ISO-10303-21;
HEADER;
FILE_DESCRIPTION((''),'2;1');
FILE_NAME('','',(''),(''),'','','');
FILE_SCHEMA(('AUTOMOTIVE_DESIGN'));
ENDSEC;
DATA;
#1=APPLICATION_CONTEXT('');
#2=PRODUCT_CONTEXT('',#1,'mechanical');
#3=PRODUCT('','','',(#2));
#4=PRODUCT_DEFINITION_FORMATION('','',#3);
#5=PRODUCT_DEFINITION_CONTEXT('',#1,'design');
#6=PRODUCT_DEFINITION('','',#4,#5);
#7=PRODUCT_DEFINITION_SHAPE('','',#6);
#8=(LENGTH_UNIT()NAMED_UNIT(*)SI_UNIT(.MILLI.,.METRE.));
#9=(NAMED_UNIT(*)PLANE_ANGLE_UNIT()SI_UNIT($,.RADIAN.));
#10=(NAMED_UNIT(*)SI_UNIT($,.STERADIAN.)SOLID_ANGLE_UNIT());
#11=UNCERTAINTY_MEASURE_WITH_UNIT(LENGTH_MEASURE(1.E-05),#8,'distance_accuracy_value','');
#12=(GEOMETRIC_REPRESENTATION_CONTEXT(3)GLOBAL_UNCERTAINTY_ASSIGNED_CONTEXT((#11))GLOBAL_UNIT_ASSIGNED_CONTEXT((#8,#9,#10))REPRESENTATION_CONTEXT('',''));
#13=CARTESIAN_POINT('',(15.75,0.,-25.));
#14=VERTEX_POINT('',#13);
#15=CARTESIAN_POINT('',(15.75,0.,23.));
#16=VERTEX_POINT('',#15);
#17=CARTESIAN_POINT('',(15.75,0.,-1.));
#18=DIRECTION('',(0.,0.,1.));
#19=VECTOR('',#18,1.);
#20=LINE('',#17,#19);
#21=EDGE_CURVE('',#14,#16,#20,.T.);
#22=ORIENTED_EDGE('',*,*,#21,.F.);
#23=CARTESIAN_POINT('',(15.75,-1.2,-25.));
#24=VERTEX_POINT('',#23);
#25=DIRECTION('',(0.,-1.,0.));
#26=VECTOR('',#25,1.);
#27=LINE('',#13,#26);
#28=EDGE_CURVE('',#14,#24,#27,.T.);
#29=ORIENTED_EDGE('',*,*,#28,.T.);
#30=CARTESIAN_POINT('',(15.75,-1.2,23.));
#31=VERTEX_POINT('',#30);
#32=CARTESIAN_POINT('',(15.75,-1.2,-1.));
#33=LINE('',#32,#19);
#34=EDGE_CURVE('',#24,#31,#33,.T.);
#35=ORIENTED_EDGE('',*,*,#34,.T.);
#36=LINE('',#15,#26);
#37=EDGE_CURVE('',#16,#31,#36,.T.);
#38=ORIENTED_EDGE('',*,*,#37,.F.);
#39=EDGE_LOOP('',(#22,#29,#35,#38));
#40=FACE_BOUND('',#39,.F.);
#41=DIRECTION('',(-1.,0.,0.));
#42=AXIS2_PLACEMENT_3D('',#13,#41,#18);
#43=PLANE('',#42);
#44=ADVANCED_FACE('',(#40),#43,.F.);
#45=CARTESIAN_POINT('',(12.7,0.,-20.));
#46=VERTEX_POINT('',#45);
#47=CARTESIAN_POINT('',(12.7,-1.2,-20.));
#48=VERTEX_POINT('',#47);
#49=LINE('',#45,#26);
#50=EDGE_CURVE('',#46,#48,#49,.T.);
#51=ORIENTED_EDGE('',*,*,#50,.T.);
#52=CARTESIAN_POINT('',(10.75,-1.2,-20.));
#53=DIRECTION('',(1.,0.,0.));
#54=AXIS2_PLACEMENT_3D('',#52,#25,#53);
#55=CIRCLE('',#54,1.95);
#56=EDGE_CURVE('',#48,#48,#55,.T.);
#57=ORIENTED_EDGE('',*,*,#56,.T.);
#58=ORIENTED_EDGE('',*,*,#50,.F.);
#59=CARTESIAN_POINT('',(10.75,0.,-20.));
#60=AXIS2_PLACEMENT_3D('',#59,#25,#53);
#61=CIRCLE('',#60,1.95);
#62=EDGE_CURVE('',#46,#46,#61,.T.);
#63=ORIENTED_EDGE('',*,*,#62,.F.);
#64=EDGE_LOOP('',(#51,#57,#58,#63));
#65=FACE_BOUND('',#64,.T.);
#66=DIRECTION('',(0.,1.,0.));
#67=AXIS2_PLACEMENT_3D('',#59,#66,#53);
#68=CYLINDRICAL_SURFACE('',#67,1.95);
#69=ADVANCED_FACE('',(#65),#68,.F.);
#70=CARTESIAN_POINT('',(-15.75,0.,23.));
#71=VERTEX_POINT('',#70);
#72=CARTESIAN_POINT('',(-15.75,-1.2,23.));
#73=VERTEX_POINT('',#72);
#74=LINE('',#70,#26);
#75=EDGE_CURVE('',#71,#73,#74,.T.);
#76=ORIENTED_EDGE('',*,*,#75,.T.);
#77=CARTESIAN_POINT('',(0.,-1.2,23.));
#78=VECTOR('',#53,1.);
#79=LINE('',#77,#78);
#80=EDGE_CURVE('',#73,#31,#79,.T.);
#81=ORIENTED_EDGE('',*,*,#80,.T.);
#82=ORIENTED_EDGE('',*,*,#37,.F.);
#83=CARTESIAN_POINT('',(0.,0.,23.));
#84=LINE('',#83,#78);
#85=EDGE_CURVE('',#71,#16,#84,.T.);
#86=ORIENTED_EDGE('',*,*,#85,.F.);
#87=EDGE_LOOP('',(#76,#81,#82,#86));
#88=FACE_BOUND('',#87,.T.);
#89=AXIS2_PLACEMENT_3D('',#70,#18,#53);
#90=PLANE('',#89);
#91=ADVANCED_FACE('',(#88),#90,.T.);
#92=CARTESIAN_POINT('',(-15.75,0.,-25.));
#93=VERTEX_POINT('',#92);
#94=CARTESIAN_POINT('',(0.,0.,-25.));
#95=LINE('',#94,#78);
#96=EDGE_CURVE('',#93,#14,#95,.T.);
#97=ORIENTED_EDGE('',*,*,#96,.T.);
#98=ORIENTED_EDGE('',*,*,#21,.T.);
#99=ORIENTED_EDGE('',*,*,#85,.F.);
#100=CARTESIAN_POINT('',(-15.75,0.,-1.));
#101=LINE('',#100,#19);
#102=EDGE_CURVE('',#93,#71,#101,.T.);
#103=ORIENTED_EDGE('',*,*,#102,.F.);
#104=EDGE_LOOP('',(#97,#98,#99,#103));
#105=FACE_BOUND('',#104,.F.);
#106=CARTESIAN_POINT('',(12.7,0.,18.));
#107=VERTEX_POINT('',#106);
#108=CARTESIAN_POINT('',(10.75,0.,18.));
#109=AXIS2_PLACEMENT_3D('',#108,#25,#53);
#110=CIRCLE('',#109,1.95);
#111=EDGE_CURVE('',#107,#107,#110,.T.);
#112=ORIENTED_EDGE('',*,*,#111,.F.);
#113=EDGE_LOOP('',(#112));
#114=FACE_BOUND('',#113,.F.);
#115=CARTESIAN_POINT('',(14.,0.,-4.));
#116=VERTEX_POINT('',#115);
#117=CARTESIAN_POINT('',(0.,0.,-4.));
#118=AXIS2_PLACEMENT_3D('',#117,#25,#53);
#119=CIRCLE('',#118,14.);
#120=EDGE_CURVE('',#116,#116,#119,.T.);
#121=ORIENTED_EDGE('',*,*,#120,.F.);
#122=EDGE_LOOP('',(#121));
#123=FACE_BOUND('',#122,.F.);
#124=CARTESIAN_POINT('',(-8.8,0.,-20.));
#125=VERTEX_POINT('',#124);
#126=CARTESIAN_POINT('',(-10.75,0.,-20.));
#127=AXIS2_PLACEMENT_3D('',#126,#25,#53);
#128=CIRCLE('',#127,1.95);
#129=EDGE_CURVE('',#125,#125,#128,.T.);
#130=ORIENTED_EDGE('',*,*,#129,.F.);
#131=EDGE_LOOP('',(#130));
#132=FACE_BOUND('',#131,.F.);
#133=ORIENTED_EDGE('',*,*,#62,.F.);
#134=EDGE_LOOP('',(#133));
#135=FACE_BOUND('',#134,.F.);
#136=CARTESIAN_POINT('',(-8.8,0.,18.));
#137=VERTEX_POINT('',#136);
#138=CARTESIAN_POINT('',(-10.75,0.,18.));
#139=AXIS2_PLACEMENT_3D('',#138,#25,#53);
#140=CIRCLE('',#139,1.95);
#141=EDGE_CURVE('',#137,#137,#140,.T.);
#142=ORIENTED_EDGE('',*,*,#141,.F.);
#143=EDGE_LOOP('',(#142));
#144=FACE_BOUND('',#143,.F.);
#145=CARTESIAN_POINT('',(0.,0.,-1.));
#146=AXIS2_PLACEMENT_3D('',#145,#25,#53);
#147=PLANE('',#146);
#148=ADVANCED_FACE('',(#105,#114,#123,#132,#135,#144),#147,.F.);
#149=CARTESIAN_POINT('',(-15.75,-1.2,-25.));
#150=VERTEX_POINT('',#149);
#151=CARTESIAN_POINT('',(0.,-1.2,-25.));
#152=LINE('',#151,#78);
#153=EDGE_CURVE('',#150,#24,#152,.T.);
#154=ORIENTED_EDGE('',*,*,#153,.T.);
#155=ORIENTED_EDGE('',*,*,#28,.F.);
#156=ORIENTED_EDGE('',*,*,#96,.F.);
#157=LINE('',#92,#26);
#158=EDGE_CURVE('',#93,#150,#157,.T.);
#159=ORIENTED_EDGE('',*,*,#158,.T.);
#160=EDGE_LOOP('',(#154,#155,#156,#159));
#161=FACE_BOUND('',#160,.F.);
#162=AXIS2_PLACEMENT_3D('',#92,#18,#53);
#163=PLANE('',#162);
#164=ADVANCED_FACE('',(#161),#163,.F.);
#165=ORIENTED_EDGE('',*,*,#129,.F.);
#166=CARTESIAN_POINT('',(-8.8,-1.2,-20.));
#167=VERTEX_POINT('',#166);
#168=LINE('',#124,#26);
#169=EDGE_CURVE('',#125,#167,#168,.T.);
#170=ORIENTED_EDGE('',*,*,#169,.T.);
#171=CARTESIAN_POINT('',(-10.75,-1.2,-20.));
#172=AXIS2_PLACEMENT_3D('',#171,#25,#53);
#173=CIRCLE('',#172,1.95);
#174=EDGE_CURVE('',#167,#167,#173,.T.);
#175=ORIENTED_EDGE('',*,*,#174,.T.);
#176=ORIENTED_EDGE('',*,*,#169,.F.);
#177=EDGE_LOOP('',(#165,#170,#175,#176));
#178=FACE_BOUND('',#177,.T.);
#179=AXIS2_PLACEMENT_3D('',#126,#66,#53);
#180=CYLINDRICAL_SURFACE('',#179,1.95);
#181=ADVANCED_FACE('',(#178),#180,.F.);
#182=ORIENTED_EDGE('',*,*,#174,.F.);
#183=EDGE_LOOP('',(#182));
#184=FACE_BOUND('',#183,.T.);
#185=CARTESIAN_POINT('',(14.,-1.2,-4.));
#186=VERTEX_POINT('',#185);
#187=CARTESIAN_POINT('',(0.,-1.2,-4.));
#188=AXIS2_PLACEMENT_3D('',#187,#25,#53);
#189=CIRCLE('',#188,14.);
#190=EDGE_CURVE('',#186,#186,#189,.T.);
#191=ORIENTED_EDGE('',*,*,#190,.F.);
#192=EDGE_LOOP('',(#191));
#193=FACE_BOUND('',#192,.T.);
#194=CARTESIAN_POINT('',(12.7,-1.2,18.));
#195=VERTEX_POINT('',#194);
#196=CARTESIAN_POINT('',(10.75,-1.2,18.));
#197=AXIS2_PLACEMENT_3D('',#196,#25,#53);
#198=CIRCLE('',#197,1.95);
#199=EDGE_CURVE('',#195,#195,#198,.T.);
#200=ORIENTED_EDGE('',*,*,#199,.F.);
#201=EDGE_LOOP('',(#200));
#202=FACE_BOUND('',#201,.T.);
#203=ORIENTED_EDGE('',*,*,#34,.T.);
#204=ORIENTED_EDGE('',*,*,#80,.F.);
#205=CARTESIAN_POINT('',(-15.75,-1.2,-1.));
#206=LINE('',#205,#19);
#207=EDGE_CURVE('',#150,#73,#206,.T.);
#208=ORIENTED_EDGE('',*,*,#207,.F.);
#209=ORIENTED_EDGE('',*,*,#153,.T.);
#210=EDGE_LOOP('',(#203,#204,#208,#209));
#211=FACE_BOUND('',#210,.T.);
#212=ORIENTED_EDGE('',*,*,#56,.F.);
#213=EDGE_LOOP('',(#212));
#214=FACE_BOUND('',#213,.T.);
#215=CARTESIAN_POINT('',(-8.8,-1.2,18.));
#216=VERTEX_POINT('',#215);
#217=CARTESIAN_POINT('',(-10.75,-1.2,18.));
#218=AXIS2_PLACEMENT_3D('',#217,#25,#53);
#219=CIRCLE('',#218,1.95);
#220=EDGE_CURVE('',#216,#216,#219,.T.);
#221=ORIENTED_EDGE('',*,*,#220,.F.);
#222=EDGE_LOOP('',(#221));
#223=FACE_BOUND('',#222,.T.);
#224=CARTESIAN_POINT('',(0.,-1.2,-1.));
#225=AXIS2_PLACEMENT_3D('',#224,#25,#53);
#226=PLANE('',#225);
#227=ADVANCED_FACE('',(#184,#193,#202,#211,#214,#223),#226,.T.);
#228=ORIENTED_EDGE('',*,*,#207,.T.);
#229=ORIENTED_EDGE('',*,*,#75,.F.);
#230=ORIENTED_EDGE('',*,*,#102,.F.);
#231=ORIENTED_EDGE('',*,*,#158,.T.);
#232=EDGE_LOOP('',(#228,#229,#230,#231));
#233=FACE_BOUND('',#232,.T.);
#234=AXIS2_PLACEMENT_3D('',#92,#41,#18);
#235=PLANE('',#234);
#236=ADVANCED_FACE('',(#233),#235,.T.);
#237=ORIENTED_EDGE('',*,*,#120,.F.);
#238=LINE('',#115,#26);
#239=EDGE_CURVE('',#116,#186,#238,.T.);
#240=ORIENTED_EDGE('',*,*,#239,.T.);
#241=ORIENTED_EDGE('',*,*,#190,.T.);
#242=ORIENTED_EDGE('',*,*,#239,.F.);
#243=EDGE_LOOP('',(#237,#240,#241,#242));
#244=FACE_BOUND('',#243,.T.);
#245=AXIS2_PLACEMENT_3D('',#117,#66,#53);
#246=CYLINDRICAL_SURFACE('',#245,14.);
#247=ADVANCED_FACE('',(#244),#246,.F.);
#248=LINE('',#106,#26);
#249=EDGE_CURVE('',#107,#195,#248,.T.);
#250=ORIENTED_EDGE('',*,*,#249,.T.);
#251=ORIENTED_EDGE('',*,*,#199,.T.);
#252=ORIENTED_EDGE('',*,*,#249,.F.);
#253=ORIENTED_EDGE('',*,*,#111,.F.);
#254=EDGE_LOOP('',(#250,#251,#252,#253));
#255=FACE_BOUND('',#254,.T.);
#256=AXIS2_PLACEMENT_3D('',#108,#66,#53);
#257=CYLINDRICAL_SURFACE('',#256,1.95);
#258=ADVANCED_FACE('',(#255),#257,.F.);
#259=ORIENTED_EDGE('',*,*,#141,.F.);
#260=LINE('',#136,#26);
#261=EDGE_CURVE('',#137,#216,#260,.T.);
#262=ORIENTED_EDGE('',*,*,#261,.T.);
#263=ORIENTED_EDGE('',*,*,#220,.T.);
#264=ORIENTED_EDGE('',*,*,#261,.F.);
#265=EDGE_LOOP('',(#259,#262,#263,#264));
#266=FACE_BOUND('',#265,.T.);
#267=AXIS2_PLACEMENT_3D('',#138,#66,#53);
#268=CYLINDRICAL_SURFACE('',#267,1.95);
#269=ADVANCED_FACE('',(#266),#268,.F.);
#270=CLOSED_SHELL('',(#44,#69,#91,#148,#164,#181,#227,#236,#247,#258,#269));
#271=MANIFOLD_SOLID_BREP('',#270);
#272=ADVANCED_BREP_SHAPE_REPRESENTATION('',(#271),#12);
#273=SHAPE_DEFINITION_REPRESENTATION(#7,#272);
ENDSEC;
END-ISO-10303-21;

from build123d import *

# Parameters (mm, degrees)
F0_W     = 31.5
F0_H     = 48
F0_R     = 1.95
F0_R_2   = 14
F1_DEPTH = 1.2


with BuildPart() as f1:
    # F0 (on Front) → F1 (new body)
    with BuildSketch(Plane.XZ):
        with Locations((0, -1)):
            Rectangle(F0_W, F0_H)
        with Locations((-10.75, -20)):
            Circle(F0_R, mode=Mode.SUBTRACT)
        with Locations((10.75, -20)):
            Circle(F0_R, mode=Mode.SUBTRACT)
        with Locations((0, -4)):
            Circle(F0_R_2, mode=Mode.SUBTRACT)
        with Locations((-10.75, 18)):
            Circle(F0_R, mode=Mode.SUBTRACT)
        with Locations((10.75, 18)):
            Circle(F0_R, mode=Mode.SUBTRACT)
    extrude(amount=F1_DEPTH)


solid = f1.part
